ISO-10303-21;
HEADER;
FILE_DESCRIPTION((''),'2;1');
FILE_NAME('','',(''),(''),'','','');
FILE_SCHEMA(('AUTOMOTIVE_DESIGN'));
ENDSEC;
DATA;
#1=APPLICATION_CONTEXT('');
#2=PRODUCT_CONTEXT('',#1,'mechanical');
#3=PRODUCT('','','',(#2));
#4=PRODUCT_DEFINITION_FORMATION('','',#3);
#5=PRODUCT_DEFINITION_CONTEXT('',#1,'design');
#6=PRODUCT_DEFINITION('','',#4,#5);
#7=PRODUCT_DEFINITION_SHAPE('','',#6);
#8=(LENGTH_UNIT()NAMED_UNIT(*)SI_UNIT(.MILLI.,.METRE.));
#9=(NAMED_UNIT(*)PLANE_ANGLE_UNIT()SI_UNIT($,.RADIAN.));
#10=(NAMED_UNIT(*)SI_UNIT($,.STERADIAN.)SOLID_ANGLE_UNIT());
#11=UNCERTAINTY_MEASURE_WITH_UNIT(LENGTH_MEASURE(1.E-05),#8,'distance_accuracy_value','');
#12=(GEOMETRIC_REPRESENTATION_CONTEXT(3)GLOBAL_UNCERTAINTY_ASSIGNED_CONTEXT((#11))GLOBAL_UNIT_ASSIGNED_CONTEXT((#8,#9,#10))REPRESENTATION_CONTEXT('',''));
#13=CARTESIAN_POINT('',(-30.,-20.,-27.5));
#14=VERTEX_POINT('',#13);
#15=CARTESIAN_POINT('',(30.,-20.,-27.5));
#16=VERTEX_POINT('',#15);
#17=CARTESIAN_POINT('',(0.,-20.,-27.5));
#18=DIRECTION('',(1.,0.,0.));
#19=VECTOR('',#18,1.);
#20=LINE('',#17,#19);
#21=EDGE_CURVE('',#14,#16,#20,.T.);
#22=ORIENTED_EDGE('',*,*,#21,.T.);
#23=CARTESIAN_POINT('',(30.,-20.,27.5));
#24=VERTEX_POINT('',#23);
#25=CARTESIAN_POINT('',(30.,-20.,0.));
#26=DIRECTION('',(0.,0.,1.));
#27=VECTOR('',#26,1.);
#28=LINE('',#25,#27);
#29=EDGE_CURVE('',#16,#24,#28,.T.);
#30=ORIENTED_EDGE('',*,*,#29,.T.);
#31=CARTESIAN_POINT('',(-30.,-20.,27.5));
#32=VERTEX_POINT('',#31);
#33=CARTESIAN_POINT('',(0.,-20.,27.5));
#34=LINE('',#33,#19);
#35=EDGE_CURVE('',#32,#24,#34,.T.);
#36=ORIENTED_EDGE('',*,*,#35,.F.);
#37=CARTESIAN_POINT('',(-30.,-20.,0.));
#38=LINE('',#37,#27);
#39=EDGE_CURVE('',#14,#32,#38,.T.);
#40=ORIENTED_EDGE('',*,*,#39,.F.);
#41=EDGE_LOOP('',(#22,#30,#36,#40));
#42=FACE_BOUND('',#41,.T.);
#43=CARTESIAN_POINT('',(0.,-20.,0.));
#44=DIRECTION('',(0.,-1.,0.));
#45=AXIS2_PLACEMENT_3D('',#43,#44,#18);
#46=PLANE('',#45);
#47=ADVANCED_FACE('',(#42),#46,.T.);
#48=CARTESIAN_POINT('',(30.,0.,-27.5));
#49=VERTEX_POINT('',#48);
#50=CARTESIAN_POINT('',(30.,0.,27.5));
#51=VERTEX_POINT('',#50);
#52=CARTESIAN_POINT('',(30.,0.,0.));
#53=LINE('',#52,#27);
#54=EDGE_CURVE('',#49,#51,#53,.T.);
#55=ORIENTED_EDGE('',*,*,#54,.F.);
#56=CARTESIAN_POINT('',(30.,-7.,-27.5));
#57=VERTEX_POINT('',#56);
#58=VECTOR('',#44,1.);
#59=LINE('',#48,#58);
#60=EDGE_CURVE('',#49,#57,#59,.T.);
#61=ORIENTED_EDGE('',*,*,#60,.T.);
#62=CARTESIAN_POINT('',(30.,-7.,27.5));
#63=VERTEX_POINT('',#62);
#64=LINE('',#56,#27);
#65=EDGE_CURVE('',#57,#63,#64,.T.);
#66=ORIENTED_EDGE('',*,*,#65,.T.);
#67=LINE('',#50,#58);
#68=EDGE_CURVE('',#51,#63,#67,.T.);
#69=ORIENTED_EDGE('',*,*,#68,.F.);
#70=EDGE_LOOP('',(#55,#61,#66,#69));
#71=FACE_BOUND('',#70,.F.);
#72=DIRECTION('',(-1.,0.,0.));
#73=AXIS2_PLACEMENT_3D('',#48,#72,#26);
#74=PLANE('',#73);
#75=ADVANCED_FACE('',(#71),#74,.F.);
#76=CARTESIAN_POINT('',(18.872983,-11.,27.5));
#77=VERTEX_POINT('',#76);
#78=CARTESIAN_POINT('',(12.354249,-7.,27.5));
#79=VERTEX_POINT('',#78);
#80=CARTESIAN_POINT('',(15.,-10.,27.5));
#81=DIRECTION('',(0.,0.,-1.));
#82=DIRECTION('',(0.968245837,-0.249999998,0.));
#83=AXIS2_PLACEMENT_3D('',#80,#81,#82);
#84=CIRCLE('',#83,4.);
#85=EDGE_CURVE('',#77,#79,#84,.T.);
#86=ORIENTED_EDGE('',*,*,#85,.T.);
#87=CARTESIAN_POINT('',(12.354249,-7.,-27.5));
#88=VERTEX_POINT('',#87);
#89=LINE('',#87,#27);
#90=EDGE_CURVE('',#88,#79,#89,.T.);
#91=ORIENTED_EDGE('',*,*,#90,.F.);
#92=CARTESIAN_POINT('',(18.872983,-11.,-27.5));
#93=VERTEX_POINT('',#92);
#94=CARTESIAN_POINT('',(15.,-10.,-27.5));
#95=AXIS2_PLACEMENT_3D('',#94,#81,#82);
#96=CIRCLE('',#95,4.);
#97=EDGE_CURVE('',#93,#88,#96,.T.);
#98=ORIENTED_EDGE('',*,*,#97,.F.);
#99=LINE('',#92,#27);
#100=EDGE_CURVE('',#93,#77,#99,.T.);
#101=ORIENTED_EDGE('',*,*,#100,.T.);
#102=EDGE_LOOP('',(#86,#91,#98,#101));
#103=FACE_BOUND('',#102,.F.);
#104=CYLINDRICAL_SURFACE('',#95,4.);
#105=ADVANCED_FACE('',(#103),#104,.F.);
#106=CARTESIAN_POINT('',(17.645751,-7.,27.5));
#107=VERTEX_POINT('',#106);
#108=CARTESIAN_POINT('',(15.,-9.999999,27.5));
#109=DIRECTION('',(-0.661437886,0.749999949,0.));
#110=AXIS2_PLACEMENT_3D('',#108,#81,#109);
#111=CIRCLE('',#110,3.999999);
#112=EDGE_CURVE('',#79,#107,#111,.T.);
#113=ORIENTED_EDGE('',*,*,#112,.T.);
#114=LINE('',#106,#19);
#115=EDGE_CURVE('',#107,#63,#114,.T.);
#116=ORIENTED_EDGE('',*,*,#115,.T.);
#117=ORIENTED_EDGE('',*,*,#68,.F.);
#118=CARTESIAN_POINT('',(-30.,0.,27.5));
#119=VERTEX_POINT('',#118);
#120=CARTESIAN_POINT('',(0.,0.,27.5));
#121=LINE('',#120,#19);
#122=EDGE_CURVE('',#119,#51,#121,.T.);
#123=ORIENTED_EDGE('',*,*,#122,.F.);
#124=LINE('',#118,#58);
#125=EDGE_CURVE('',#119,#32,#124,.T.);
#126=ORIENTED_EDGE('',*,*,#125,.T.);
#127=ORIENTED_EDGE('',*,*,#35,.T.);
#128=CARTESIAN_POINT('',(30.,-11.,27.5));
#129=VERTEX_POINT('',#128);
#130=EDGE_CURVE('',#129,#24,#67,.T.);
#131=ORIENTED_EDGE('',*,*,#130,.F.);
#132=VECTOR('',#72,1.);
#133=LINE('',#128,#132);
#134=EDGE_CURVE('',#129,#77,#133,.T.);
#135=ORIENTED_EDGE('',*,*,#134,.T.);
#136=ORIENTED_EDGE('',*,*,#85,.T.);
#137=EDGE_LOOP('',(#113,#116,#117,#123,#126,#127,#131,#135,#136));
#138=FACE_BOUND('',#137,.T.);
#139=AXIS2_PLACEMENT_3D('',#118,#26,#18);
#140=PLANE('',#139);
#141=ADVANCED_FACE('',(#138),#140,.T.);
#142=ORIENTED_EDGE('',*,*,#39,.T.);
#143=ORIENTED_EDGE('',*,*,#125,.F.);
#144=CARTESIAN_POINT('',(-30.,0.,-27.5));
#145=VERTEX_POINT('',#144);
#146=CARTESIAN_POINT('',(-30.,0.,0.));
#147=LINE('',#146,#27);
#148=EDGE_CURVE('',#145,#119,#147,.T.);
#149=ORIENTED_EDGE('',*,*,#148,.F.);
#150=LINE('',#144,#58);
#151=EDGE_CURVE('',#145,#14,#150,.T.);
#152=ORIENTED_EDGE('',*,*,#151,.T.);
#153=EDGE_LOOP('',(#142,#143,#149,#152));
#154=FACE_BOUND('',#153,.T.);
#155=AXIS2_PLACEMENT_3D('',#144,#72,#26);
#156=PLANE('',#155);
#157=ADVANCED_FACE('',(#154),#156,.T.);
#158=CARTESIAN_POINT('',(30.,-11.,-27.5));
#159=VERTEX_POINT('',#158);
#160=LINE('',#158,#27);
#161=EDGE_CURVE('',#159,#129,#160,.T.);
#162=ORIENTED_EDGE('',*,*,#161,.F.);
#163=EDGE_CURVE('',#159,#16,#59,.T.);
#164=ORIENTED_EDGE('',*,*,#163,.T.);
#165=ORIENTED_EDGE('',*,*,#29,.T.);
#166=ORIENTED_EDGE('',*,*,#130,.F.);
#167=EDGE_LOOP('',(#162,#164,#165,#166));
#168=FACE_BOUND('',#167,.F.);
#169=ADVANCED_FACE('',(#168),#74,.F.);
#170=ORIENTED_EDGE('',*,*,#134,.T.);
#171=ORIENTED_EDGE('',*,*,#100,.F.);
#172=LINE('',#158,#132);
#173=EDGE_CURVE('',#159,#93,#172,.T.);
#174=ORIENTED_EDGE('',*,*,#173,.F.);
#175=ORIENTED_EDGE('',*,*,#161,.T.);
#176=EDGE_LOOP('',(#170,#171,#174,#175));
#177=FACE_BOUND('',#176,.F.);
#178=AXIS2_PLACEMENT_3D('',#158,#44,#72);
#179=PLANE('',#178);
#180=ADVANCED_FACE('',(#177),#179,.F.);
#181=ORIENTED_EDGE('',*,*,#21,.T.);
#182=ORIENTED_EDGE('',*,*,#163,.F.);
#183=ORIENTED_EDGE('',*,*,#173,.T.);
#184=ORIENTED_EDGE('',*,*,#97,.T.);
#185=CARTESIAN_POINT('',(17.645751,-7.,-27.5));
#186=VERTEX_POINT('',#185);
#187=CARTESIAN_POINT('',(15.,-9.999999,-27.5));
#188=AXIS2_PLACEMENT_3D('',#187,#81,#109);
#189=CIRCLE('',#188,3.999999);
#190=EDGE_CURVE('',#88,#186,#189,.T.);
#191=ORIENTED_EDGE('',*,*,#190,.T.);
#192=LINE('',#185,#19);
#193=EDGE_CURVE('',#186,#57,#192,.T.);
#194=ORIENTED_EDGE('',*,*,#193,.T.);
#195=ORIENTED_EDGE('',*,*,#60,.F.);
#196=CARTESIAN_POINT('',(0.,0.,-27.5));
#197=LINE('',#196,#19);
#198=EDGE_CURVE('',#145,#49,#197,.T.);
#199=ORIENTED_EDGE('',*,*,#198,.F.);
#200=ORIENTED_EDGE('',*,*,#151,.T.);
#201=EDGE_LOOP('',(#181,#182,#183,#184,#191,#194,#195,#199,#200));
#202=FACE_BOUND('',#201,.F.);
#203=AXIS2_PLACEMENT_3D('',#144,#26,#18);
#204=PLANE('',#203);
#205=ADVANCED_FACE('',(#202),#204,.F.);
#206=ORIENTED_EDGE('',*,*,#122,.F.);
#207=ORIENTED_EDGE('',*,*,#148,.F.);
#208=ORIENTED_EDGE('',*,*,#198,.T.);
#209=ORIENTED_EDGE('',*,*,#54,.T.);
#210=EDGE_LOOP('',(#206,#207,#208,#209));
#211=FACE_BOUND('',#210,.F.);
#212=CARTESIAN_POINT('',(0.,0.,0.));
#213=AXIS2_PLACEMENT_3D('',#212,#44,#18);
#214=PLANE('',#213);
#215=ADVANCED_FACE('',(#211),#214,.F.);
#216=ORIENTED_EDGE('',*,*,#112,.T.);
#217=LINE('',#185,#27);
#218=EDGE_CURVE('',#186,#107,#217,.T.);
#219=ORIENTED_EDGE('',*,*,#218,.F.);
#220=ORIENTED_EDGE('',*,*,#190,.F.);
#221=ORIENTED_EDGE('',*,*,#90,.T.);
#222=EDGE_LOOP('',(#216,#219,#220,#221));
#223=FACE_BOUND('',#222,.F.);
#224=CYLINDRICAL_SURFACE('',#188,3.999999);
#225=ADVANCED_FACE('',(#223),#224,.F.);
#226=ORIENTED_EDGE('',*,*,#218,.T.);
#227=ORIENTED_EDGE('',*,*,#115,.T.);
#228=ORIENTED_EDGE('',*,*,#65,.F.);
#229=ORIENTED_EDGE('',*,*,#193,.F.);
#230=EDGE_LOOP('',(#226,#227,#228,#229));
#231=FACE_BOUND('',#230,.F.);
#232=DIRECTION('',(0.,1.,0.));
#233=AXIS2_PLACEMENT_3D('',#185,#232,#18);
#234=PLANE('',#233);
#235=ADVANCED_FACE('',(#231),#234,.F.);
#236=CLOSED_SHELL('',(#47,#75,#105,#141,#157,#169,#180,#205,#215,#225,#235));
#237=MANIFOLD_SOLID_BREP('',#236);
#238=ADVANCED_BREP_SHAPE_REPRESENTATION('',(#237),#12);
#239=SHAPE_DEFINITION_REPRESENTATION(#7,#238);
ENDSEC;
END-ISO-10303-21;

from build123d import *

# Parameters (mm, degrees)
F0_W     = 60
F0_H     = 55
F1_DEPTH = 20
F3_DEPTH = 55


with BuildPart() as f1:
    # F0 (on Front) → F1 (new body)
    with BuildSketch(Plane.XZ):
        Rectangle(F0_W, F0_H)
    extrude(amount=F1_DEPTH)

    # F2 (on face) → F3 (cut, through all)
    with BuildSketch(Plane(origin=(0, 0, -27.5), x_dir=(1, 0, 0), z_dir=(0, 0, -1))):
        with BuildLine():
            ThreePointArc((18.872983, 11), (18.968119, 10.504017), (19, 10))
            ThreePointArc((19, 10), (18.645751, 8.354249), (17.645751, 7))
            Line((17.645751, 7), (30, 7))
            Line((30, 7), (30, 11))
            Line((30, 11), (18.872983, 11))
        make_face()
        with BuildLine():
            ThreePointArc((12.354249, 7), (15, 6), (17.645751, 7))
            Line((17.645751, 7), (12.354249, 7))
        make_face()
        with BuildLine():
            ThreePointArc((17.645751, 7), (18.645751, 8.354249), (19, 10))
            ThreePointArc((19, 10), (18.968119, 10.504017), (18.872983, 11))
            ThreePointArc((18.872983, 11), (12.907986, 13.409322), (12.354249, 7))
            Line((12.354249, 7), (17.645751, 7))
        make_face()
    extrude(amount=-F3_DEPTH, mode=Mode.SUBTRACT)


solid = f1.part
